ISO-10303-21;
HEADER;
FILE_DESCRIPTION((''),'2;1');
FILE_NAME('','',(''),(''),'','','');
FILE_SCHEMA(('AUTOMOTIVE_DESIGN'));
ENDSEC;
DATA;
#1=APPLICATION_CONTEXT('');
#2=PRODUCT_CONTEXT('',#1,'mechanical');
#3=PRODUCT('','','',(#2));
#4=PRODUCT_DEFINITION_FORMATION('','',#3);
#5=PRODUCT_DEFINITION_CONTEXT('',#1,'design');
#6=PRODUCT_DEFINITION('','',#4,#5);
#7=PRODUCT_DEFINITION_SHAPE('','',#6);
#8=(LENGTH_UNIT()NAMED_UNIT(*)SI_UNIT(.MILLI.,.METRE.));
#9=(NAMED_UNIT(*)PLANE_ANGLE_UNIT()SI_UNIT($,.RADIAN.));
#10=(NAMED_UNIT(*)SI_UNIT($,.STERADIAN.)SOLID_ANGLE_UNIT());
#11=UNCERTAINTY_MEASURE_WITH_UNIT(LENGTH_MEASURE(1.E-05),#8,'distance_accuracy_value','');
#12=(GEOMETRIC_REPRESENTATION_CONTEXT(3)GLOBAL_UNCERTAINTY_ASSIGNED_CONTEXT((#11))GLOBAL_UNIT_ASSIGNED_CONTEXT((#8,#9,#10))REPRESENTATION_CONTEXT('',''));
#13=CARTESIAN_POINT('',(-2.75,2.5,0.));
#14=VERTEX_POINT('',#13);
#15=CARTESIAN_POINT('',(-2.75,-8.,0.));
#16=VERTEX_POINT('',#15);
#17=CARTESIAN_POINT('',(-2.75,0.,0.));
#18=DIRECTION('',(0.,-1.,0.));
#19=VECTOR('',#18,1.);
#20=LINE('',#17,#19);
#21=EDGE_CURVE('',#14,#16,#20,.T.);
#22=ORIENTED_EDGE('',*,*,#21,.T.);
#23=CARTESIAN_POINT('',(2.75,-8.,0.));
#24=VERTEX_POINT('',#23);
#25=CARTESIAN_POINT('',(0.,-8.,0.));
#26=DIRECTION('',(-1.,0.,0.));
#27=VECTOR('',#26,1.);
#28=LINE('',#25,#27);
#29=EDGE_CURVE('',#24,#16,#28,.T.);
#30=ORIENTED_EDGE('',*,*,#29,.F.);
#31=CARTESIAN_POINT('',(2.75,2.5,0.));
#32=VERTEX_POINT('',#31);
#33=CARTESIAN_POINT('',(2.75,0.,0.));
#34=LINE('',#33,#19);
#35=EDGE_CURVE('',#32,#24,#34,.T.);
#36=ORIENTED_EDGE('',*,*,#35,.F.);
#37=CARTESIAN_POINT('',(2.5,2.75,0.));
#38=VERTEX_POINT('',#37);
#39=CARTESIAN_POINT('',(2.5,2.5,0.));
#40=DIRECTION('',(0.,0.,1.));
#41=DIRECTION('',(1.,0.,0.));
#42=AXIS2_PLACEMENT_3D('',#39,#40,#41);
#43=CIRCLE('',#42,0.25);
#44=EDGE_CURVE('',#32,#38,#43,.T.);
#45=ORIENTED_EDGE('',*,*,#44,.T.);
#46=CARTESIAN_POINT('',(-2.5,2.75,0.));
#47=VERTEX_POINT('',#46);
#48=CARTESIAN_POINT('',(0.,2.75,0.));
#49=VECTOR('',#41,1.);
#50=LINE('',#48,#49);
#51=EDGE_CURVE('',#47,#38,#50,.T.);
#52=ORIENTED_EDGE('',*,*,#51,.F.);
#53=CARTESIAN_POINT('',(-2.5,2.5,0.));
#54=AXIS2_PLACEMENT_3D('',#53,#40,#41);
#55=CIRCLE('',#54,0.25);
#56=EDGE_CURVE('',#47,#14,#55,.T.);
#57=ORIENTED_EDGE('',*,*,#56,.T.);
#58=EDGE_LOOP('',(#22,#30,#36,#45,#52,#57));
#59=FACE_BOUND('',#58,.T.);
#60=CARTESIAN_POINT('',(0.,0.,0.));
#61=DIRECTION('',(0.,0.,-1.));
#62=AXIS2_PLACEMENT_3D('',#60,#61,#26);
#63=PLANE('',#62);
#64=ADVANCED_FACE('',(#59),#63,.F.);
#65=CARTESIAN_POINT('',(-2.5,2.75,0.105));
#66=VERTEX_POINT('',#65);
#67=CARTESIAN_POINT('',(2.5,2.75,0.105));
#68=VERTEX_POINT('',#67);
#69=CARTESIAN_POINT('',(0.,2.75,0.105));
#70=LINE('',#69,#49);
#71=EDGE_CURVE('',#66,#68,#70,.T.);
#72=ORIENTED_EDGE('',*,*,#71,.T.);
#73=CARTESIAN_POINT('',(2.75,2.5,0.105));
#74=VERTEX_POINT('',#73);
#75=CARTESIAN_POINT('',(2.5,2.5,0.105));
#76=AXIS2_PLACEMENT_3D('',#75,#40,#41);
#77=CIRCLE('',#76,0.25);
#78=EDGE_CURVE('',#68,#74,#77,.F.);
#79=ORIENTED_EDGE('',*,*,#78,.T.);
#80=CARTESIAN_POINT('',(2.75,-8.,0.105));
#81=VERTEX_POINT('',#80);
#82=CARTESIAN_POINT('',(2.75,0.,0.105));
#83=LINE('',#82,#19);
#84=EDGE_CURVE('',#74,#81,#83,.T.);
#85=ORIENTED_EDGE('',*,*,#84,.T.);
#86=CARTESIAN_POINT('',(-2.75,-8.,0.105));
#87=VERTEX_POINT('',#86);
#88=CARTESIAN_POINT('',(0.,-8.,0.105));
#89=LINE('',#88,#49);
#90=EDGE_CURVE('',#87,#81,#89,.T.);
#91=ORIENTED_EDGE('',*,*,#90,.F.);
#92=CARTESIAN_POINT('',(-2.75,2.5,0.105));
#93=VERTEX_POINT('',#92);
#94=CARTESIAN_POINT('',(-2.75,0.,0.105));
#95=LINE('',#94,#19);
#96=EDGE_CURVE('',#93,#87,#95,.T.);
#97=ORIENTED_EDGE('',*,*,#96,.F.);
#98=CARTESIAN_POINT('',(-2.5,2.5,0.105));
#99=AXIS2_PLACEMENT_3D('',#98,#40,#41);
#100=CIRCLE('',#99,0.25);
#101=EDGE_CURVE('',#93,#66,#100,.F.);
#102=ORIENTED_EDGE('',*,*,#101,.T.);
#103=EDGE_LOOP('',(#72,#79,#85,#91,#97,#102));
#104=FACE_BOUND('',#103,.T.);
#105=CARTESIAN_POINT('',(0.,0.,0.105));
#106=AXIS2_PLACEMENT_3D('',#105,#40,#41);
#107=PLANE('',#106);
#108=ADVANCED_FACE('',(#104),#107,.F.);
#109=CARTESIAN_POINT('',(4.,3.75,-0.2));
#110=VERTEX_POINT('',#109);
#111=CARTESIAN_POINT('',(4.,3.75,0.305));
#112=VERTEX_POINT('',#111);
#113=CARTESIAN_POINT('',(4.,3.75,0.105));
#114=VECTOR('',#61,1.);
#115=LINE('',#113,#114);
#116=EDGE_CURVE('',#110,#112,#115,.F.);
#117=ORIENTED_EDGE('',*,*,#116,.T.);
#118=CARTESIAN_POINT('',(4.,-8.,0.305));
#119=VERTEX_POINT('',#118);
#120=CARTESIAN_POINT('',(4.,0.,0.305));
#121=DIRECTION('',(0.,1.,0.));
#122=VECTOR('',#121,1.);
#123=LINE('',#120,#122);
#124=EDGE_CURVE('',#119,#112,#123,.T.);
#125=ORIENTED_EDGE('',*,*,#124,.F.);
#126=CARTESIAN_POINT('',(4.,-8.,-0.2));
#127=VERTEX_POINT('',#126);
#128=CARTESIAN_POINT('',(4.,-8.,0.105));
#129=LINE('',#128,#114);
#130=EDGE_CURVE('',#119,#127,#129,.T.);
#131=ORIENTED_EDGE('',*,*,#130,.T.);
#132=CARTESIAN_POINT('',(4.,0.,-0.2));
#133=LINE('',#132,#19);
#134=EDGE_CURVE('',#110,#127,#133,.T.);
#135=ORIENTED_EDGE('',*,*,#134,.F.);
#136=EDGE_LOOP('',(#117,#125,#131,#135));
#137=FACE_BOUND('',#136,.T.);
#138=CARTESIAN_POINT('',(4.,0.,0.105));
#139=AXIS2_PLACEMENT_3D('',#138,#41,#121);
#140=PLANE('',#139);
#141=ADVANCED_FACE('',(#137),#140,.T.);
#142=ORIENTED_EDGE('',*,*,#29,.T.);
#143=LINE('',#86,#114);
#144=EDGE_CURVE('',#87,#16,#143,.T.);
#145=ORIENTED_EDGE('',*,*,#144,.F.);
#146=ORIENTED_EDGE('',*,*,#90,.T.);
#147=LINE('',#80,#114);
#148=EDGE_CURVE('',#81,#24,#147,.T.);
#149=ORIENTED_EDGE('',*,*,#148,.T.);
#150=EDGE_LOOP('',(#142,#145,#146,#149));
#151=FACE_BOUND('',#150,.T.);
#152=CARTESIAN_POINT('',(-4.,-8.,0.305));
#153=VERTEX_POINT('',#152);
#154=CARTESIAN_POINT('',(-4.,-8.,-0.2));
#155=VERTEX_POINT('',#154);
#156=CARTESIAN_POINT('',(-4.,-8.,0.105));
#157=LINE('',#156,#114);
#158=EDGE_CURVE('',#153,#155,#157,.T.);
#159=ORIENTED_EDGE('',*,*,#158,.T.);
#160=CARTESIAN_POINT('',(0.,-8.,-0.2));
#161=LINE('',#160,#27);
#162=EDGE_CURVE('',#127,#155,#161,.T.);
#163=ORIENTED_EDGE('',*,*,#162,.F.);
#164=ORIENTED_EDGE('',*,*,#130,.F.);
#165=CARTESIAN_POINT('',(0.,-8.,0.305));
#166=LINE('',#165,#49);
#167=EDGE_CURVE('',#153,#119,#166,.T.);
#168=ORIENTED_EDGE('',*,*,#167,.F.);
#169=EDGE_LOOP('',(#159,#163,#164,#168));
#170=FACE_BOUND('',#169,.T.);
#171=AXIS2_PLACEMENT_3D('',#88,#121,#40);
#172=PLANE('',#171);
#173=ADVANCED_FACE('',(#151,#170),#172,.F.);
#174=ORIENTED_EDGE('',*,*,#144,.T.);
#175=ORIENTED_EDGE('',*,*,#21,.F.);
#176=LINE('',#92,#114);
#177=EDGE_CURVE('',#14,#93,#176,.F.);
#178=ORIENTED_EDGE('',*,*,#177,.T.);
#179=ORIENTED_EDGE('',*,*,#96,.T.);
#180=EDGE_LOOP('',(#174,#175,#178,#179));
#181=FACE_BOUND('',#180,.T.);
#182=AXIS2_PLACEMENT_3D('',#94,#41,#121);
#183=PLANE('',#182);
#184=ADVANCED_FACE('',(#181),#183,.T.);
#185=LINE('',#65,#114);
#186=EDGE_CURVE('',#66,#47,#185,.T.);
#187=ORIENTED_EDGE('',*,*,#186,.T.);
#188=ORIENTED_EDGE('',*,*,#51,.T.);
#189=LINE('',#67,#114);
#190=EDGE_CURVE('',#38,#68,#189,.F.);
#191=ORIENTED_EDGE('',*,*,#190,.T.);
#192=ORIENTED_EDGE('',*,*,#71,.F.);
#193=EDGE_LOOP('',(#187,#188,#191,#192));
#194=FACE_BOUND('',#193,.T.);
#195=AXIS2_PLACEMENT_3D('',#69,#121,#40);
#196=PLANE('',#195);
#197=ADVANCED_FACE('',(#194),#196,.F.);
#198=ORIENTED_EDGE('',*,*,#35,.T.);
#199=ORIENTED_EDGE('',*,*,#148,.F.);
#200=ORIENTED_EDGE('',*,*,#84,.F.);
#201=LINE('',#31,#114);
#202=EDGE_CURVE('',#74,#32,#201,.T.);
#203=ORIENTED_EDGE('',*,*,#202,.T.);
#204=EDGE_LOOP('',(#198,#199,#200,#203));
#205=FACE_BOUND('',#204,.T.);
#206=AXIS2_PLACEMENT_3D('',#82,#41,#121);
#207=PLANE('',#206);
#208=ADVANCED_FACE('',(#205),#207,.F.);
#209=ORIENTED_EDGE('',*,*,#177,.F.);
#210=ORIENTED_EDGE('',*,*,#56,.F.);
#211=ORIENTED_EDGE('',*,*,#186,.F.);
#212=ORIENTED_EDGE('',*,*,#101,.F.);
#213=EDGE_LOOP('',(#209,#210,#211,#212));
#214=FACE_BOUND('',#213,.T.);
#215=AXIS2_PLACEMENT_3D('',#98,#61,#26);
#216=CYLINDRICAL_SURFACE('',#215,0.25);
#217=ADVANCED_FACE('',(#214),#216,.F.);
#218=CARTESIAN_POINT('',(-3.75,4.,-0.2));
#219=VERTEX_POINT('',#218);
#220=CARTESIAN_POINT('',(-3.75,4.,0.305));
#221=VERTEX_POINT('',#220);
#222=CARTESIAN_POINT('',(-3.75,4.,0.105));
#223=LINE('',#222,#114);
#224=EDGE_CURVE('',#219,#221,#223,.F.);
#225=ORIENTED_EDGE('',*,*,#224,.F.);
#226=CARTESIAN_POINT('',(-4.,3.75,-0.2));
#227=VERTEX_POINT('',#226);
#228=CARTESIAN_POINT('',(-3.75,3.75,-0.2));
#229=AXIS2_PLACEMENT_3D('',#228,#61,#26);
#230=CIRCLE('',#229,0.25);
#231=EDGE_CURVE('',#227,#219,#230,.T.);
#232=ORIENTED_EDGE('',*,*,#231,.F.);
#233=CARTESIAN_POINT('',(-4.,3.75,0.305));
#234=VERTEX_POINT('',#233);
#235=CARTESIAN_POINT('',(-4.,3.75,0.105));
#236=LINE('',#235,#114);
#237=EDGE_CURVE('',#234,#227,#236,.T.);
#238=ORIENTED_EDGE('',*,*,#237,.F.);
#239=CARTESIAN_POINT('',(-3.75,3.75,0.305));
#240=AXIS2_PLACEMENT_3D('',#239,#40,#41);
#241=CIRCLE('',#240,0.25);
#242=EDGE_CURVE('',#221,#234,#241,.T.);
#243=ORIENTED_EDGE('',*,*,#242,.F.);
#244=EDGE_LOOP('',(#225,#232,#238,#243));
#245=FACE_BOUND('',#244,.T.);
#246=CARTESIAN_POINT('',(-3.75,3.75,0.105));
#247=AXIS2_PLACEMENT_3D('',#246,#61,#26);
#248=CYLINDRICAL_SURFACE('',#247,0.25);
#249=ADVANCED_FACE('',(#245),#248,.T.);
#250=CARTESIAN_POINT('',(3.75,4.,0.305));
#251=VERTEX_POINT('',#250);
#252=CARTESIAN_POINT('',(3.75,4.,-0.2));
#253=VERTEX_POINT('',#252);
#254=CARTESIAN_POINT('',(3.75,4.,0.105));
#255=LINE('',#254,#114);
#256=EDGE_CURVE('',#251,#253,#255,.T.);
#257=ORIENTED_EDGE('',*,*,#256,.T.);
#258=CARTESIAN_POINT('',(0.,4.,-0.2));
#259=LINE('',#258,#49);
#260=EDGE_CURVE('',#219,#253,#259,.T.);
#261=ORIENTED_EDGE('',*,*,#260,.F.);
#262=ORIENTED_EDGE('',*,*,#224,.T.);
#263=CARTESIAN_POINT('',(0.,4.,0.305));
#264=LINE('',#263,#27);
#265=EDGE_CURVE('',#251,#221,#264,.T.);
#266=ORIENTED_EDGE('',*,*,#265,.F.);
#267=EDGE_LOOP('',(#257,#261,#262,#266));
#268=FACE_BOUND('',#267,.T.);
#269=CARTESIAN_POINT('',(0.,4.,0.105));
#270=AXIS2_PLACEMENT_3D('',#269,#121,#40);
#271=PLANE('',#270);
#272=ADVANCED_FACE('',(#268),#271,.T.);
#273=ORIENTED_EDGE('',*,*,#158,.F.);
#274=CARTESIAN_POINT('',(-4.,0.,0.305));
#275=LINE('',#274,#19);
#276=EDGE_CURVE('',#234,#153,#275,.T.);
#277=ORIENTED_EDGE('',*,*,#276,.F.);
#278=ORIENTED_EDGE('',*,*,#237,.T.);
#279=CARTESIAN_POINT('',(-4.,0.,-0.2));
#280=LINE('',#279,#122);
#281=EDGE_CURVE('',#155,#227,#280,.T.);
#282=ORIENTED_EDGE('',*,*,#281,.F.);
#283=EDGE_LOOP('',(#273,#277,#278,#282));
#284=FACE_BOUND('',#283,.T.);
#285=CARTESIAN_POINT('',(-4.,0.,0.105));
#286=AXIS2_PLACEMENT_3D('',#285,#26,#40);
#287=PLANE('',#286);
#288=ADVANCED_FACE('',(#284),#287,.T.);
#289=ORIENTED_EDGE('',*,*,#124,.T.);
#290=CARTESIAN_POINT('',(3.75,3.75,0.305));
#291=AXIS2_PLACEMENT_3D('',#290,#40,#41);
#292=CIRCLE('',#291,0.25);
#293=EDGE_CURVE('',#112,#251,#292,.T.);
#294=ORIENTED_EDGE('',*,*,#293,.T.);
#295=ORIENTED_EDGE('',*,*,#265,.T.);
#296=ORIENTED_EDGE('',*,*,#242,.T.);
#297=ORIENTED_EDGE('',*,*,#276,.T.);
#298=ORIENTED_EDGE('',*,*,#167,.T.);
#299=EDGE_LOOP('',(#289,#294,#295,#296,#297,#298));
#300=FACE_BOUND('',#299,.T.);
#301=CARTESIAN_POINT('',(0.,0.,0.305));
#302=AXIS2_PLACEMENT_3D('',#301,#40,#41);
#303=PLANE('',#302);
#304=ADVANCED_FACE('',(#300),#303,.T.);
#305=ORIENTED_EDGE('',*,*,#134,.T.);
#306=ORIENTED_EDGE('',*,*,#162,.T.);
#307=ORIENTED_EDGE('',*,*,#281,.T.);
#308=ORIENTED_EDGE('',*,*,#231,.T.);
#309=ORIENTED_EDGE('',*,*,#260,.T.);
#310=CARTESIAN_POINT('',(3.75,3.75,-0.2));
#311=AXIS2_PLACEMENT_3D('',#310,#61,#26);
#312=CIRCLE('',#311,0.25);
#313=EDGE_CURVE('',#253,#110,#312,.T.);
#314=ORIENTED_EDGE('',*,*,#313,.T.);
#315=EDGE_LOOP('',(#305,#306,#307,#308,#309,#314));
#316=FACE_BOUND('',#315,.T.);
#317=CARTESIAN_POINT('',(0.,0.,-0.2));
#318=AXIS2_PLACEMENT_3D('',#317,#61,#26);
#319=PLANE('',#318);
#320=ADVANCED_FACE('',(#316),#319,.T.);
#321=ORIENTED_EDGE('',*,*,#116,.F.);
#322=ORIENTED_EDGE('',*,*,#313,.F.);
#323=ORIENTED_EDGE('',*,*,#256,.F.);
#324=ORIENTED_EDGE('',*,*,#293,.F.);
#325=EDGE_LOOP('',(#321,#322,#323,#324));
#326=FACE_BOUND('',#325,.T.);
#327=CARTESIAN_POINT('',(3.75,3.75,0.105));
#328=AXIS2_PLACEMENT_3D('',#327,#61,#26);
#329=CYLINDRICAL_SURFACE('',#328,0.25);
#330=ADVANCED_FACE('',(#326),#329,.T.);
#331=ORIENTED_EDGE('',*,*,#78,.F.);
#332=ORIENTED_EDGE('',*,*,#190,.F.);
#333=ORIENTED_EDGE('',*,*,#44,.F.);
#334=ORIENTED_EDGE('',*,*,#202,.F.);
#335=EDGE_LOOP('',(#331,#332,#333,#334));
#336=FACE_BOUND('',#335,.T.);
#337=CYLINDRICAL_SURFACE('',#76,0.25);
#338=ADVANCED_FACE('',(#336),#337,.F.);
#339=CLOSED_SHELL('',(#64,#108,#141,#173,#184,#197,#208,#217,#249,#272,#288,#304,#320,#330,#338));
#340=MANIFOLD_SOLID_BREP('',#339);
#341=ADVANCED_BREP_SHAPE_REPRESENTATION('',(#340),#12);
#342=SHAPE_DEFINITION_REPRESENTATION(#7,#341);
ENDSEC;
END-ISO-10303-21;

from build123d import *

# Parameters (mm, degrees)
SKETCH1_W           = 1.25
SKETCH1_H           = 4
BOSS_EXTRUDE1_DEPTH = 0.105
FILLET1_R           = 0.25
BOSS_EXTRUDE2_DEPTH = 0.2
BOSS_EXTRUDE3_DEPTH = 0.2


with BuildPart() as part:
    # Sketch1 → Boss-Extrude1 (new body)
    with BuildSketch(Plane.XY):
        with Locations((3.375, -6)):
            Rectangle(SKETCH1_W, SKETCH1_H)
        Polygon((-2.75, -4), (-2.75, -2.75), (-2.75, 2.75), (2.75, 2.75), (2.75, -2.75), (2.75, -4), (4, -4), (4, 4), (-4, 4), (-4, -4), align=None)
        with Locations((-3.375, -6)):
            Rectangle(SKETCH1_W, SKETCH1_H)
    extrude(amount=BOSS_EXTRUDE1_DEPTH)

    # Fillet1
    fillet1_edges = [part.edges().sort_by_distance(p)[0] for p in [
        (2.75, 2.75, 0.0525),
        (-2.75, 2.75, 0.0525),
        (-4, 4, 0.0525),
        (4, 4, 0.0525),
    ]]
    fillet(fillet1_edges, radius=FILLET1_R)

    # Sketch2 → Boss-Extrude2 (add)
    with BuildSketch(Plane(origin=(0, 0, 0), x_dir=(-1, 0, 0), z_dir=(0, 0, -1))):
        with BuildLine():
            Line((2.75, -8), (4, -8))
            Line((4, -8), (4, 3.75))
            ThreePointArc((4, 3.75), (3.926776695, 3.926776695), (3.75, 4))
            Line((3.75, 4), (-3.75, 4))
            ThreePointArc((-3.75, 4), (-3.926776695, 3.926776695), (-4, 3.75))
            Line((-4, 3.75), (-4, -8))
            Line((-4, -8), (-2.75, -8))
            Line((-2.75, -8), (-2.75, 2.5))
            ThreePointArc((-2.75, 2.5), (-2.676776695, 2.676776695), (-2.5, 2.75))
            Line((-2.5, 2.75), (2.5, 2.75))
            ThreePointArc((2.5, 2.75), (2.676776695, 2.676776695), (2.75, 2.5))
            Line((2.75, 2.5), (2.75, -8))
        make_face()
        with BuildLine():
            Line((-2.75, -8), (2.75, -8))
            Line((2.75, -8), (2.75, 2.5))
            ThreePointArc((2.75, 2.5), (2.676776695, 2.676776695), (2.5, 2.75))
            Line((2.5, 2.75), (-2.5, 2.75))
            ThreePointArc((-2.5, 2.75), (-2.676776695, 2.676776695), (-2.75, 2.5))
            Line((-2.75, 2.5), (-2.75, -8))
        make_face()
    extrude(amount=BOSS_EXTRUDE2_DEPTH)

    # Sketch4 → Boss-Extrude3 (add)
    with BuildSketch(Plane.XY.offset(0.105)):
        with BuildLine():
            ThreePointArc((4, 3.75), (3.926776695, 3.926776695), (3.75, 4))
            Line((3.75, 4), (-3.75, 4))
            ThreePointArc((-3.75, 4), (-3.926776695, 3.926776695), (-4, 3.75))
            Line((-4, 3.75), (-4, -8))
            Line((-4, -8), (-2.75, -8))
            Line((-2.75, -8), (-2.75, 2.5))
            ThreePointArc((-2.75, 2.5), (-2.676776695, 2.676776695), (-2.5, 2.75))
            Line((-2.5, 2.75), (2.5, 2.75))
            ThreePointArc((2.5, 2.75), (2.676776695, 2.676776695), (2.75, 2.5))
            Line((2.75, 2.5), (2.75, -8))
            Line((2.75, -8), (4, -8))
            Line((4, -8), (4, 3.75))
        make_face()
        with BuildLine():
            Line((-2.75, -8), (2.75, -8))
            Line((2.75, -8), (2.75, 2.5))
            ThreePointArc((2.75, 2.5), (2.676776695, 2.676776695), (2.5, 2.75))
            Line((2.5, 2.75), (-2.5, 2.75))
            ThreePointArc((-2.5, 2.75), (-2.676776695, 2.676776695), (-2.75, 2.5))
            Line((-2.75, 2.5), (-2.75, -8))
        make_face()
    extrude(amount=BOSS_EXTRUDE3_DEPTH)


solid = part.part
